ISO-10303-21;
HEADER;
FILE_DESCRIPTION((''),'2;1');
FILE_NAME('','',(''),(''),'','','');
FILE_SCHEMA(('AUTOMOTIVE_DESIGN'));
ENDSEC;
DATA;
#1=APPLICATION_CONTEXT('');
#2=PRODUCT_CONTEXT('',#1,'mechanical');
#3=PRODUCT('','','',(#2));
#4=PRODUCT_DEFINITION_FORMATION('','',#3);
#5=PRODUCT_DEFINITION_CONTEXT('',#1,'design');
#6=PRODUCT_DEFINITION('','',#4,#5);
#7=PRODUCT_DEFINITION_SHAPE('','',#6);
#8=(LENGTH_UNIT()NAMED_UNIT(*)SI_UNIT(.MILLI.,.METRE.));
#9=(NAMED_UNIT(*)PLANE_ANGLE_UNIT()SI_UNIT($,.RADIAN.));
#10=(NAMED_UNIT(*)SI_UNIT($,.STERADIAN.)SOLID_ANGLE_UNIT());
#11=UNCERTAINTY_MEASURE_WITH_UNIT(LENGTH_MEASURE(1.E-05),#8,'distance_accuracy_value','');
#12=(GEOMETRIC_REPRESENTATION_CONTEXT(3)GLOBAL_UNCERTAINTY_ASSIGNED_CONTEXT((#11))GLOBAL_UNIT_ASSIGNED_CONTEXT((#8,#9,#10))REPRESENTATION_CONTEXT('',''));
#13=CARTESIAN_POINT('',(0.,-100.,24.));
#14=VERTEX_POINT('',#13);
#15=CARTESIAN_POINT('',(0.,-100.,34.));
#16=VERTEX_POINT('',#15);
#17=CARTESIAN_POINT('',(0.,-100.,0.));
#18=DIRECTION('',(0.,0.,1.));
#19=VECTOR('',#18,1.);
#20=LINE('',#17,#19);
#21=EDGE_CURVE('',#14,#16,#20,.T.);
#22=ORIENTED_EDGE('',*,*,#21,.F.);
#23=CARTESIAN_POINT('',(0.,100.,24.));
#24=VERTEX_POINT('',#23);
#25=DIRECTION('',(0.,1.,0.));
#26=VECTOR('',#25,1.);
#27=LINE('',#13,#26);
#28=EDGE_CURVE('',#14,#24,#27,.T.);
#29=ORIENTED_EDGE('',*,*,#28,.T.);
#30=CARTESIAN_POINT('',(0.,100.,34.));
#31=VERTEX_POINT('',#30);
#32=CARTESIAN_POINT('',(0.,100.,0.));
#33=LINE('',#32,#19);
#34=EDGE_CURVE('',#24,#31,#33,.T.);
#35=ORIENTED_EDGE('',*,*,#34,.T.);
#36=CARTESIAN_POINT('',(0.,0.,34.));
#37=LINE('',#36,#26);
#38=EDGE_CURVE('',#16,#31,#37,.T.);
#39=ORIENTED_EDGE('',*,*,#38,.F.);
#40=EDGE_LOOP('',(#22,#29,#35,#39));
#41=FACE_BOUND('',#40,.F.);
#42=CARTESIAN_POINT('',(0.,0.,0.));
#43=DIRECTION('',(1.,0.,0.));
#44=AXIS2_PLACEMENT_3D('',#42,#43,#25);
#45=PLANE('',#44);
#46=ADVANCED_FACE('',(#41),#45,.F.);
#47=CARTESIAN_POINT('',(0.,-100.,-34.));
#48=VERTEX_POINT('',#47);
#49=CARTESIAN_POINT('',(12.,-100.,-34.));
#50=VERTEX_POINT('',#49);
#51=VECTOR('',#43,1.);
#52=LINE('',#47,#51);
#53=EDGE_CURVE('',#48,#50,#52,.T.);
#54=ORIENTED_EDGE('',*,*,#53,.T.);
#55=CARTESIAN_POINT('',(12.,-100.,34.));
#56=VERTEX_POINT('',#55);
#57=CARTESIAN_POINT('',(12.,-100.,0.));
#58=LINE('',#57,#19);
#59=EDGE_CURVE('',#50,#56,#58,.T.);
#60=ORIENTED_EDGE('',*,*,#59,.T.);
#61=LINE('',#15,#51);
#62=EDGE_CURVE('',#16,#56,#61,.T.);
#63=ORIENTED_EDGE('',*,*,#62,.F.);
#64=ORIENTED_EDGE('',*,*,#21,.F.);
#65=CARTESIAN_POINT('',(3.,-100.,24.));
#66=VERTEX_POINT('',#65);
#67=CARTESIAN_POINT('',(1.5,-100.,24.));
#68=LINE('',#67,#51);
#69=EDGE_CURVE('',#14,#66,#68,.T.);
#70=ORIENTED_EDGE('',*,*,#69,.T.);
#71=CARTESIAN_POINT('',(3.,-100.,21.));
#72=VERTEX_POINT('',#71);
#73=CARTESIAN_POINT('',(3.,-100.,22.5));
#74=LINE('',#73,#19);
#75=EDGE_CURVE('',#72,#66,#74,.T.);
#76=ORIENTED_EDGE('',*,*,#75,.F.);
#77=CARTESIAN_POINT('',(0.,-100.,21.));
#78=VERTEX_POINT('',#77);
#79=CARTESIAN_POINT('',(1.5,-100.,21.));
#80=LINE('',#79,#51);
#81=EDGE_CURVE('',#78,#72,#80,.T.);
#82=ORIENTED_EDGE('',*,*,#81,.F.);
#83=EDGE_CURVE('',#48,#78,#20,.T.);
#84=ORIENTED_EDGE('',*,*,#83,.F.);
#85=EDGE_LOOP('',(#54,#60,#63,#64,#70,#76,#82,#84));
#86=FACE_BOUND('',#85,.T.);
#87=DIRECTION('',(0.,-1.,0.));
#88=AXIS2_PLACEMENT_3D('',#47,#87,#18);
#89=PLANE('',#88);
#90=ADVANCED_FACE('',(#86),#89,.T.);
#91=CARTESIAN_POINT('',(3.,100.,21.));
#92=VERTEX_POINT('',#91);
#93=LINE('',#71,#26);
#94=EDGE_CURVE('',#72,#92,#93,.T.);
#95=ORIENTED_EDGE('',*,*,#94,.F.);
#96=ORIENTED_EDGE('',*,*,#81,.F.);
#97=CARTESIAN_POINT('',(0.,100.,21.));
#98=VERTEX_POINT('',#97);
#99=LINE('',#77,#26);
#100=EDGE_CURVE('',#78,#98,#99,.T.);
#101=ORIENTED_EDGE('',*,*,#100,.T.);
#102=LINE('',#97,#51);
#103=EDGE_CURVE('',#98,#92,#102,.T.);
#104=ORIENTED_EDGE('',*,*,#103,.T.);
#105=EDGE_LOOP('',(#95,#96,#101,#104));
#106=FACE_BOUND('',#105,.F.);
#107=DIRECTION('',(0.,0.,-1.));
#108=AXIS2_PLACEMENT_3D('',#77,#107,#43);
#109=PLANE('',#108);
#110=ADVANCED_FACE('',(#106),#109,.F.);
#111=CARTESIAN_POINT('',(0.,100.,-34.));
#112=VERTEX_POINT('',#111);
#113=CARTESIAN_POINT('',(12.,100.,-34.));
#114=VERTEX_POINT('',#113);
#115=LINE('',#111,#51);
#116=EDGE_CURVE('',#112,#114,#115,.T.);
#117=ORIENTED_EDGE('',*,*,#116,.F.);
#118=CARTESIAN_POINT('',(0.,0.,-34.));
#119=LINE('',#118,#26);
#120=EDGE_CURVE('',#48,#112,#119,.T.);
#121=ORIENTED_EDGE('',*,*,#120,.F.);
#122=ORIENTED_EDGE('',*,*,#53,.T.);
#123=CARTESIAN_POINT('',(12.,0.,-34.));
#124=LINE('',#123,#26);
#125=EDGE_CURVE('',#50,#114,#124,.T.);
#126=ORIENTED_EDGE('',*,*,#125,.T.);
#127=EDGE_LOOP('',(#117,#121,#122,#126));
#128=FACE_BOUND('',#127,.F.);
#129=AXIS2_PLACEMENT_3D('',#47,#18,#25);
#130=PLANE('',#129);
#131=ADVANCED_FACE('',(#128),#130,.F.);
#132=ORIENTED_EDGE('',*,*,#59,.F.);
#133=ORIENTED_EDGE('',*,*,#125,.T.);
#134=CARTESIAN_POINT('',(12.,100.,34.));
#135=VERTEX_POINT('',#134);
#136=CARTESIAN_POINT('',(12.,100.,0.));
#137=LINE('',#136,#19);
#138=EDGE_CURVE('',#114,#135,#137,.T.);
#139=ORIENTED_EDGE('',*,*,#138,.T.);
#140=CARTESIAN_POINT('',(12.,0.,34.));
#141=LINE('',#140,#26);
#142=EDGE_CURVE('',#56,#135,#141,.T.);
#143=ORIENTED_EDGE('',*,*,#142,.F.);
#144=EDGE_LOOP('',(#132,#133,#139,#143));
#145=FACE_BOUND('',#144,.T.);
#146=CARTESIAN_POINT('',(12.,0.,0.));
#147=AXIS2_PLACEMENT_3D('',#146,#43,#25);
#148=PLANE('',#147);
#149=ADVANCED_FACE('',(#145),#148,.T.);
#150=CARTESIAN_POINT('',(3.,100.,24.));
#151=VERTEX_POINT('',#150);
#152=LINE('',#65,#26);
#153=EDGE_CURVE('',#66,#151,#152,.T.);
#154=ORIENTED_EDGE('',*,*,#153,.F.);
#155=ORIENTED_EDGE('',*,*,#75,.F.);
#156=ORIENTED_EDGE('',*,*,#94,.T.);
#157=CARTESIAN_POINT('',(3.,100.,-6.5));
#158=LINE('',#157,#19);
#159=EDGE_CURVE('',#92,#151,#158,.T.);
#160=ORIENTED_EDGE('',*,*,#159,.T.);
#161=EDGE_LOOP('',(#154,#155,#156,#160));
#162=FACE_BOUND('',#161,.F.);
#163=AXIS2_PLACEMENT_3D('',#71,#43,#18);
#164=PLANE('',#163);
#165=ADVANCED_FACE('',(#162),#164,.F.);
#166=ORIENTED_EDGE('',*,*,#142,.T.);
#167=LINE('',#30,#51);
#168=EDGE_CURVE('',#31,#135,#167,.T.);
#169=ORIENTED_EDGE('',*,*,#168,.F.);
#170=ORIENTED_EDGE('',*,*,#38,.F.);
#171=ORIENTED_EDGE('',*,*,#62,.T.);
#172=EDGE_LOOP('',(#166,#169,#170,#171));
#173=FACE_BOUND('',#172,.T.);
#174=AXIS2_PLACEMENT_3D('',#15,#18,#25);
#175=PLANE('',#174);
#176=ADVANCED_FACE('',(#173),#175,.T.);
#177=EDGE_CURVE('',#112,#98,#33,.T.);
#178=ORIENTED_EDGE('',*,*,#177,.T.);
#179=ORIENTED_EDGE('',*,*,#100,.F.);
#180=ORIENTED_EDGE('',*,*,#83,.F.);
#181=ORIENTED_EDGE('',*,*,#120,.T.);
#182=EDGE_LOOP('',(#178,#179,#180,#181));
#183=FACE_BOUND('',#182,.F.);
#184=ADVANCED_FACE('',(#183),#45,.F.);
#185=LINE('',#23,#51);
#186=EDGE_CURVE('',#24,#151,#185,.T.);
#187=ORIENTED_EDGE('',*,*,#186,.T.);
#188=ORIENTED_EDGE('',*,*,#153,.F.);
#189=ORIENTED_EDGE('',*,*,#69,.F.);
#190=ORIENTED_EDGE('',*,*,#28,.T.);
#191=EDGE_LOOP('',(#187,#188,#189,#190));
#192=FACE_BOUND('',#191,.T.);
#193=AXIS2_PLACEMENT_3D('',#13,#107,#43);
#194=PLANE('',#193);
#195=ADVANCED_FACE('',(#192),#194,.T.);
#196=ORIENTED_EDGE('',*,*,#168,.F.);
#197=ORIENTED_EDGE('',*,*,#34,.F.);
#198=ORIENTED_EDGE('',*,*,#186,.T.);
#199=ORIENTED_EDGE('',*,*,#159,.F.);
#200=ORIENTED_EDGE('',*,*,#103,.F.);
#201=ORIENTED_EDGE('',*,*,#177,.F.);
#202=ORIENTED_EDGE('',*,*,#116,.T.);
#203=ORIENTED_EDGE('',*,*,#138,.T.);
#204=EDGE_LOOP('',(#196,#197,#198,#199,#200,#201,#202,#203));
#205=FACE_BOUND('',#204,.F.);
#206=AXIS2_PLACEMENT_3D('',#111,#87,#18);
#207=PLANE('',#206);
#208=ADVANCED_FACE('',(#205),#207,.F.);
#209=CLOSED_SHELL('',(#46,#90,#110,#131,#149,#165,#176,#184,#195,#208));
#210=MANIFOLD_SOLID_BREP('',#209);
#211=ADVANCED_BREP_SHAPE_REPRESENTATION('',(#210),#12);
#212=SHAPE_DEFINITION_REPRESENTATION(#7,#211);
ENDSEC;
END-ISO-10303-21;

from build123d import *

# Parameters (mm, degrees)
F0_W     = 200
F0_H     = 68
F1_DEPTH = 12
F2_W     = 3
F2_H     = 3
F3_DEPTH = 32123
F4_W     = 3
F4_H     = 3
F5_DEPTH = 20


with BuildPart() as f1:
    # F0 (on Right) → F1 (new body)
    with BuildSketch(Plane.YZ):
        Rectangle(F0_W, F0_H)
    extrude(amount=F1_DEPTH)

    # F2 (on face) → F3 (cut)
    with BuildSketch(Plane.XZ.offset(100)):
        with Locations((1.5, 22.5)):
            Rectangle(F2_W, F2_H)
    extrude(amount=-F3_DEPTH, mode=Mode.SUBTRACT)

    # F4 (on face) → F5 (cut)
    with BuildSketch(Plane.XZ.offset(100)):
        with Locations((1.5, 22.5)):
            Rectangle(F4_W, F4_H)
    extrude(amount=-F5_DEPTH, mode=Mode.SUBTRACT)


solid = f1.part
